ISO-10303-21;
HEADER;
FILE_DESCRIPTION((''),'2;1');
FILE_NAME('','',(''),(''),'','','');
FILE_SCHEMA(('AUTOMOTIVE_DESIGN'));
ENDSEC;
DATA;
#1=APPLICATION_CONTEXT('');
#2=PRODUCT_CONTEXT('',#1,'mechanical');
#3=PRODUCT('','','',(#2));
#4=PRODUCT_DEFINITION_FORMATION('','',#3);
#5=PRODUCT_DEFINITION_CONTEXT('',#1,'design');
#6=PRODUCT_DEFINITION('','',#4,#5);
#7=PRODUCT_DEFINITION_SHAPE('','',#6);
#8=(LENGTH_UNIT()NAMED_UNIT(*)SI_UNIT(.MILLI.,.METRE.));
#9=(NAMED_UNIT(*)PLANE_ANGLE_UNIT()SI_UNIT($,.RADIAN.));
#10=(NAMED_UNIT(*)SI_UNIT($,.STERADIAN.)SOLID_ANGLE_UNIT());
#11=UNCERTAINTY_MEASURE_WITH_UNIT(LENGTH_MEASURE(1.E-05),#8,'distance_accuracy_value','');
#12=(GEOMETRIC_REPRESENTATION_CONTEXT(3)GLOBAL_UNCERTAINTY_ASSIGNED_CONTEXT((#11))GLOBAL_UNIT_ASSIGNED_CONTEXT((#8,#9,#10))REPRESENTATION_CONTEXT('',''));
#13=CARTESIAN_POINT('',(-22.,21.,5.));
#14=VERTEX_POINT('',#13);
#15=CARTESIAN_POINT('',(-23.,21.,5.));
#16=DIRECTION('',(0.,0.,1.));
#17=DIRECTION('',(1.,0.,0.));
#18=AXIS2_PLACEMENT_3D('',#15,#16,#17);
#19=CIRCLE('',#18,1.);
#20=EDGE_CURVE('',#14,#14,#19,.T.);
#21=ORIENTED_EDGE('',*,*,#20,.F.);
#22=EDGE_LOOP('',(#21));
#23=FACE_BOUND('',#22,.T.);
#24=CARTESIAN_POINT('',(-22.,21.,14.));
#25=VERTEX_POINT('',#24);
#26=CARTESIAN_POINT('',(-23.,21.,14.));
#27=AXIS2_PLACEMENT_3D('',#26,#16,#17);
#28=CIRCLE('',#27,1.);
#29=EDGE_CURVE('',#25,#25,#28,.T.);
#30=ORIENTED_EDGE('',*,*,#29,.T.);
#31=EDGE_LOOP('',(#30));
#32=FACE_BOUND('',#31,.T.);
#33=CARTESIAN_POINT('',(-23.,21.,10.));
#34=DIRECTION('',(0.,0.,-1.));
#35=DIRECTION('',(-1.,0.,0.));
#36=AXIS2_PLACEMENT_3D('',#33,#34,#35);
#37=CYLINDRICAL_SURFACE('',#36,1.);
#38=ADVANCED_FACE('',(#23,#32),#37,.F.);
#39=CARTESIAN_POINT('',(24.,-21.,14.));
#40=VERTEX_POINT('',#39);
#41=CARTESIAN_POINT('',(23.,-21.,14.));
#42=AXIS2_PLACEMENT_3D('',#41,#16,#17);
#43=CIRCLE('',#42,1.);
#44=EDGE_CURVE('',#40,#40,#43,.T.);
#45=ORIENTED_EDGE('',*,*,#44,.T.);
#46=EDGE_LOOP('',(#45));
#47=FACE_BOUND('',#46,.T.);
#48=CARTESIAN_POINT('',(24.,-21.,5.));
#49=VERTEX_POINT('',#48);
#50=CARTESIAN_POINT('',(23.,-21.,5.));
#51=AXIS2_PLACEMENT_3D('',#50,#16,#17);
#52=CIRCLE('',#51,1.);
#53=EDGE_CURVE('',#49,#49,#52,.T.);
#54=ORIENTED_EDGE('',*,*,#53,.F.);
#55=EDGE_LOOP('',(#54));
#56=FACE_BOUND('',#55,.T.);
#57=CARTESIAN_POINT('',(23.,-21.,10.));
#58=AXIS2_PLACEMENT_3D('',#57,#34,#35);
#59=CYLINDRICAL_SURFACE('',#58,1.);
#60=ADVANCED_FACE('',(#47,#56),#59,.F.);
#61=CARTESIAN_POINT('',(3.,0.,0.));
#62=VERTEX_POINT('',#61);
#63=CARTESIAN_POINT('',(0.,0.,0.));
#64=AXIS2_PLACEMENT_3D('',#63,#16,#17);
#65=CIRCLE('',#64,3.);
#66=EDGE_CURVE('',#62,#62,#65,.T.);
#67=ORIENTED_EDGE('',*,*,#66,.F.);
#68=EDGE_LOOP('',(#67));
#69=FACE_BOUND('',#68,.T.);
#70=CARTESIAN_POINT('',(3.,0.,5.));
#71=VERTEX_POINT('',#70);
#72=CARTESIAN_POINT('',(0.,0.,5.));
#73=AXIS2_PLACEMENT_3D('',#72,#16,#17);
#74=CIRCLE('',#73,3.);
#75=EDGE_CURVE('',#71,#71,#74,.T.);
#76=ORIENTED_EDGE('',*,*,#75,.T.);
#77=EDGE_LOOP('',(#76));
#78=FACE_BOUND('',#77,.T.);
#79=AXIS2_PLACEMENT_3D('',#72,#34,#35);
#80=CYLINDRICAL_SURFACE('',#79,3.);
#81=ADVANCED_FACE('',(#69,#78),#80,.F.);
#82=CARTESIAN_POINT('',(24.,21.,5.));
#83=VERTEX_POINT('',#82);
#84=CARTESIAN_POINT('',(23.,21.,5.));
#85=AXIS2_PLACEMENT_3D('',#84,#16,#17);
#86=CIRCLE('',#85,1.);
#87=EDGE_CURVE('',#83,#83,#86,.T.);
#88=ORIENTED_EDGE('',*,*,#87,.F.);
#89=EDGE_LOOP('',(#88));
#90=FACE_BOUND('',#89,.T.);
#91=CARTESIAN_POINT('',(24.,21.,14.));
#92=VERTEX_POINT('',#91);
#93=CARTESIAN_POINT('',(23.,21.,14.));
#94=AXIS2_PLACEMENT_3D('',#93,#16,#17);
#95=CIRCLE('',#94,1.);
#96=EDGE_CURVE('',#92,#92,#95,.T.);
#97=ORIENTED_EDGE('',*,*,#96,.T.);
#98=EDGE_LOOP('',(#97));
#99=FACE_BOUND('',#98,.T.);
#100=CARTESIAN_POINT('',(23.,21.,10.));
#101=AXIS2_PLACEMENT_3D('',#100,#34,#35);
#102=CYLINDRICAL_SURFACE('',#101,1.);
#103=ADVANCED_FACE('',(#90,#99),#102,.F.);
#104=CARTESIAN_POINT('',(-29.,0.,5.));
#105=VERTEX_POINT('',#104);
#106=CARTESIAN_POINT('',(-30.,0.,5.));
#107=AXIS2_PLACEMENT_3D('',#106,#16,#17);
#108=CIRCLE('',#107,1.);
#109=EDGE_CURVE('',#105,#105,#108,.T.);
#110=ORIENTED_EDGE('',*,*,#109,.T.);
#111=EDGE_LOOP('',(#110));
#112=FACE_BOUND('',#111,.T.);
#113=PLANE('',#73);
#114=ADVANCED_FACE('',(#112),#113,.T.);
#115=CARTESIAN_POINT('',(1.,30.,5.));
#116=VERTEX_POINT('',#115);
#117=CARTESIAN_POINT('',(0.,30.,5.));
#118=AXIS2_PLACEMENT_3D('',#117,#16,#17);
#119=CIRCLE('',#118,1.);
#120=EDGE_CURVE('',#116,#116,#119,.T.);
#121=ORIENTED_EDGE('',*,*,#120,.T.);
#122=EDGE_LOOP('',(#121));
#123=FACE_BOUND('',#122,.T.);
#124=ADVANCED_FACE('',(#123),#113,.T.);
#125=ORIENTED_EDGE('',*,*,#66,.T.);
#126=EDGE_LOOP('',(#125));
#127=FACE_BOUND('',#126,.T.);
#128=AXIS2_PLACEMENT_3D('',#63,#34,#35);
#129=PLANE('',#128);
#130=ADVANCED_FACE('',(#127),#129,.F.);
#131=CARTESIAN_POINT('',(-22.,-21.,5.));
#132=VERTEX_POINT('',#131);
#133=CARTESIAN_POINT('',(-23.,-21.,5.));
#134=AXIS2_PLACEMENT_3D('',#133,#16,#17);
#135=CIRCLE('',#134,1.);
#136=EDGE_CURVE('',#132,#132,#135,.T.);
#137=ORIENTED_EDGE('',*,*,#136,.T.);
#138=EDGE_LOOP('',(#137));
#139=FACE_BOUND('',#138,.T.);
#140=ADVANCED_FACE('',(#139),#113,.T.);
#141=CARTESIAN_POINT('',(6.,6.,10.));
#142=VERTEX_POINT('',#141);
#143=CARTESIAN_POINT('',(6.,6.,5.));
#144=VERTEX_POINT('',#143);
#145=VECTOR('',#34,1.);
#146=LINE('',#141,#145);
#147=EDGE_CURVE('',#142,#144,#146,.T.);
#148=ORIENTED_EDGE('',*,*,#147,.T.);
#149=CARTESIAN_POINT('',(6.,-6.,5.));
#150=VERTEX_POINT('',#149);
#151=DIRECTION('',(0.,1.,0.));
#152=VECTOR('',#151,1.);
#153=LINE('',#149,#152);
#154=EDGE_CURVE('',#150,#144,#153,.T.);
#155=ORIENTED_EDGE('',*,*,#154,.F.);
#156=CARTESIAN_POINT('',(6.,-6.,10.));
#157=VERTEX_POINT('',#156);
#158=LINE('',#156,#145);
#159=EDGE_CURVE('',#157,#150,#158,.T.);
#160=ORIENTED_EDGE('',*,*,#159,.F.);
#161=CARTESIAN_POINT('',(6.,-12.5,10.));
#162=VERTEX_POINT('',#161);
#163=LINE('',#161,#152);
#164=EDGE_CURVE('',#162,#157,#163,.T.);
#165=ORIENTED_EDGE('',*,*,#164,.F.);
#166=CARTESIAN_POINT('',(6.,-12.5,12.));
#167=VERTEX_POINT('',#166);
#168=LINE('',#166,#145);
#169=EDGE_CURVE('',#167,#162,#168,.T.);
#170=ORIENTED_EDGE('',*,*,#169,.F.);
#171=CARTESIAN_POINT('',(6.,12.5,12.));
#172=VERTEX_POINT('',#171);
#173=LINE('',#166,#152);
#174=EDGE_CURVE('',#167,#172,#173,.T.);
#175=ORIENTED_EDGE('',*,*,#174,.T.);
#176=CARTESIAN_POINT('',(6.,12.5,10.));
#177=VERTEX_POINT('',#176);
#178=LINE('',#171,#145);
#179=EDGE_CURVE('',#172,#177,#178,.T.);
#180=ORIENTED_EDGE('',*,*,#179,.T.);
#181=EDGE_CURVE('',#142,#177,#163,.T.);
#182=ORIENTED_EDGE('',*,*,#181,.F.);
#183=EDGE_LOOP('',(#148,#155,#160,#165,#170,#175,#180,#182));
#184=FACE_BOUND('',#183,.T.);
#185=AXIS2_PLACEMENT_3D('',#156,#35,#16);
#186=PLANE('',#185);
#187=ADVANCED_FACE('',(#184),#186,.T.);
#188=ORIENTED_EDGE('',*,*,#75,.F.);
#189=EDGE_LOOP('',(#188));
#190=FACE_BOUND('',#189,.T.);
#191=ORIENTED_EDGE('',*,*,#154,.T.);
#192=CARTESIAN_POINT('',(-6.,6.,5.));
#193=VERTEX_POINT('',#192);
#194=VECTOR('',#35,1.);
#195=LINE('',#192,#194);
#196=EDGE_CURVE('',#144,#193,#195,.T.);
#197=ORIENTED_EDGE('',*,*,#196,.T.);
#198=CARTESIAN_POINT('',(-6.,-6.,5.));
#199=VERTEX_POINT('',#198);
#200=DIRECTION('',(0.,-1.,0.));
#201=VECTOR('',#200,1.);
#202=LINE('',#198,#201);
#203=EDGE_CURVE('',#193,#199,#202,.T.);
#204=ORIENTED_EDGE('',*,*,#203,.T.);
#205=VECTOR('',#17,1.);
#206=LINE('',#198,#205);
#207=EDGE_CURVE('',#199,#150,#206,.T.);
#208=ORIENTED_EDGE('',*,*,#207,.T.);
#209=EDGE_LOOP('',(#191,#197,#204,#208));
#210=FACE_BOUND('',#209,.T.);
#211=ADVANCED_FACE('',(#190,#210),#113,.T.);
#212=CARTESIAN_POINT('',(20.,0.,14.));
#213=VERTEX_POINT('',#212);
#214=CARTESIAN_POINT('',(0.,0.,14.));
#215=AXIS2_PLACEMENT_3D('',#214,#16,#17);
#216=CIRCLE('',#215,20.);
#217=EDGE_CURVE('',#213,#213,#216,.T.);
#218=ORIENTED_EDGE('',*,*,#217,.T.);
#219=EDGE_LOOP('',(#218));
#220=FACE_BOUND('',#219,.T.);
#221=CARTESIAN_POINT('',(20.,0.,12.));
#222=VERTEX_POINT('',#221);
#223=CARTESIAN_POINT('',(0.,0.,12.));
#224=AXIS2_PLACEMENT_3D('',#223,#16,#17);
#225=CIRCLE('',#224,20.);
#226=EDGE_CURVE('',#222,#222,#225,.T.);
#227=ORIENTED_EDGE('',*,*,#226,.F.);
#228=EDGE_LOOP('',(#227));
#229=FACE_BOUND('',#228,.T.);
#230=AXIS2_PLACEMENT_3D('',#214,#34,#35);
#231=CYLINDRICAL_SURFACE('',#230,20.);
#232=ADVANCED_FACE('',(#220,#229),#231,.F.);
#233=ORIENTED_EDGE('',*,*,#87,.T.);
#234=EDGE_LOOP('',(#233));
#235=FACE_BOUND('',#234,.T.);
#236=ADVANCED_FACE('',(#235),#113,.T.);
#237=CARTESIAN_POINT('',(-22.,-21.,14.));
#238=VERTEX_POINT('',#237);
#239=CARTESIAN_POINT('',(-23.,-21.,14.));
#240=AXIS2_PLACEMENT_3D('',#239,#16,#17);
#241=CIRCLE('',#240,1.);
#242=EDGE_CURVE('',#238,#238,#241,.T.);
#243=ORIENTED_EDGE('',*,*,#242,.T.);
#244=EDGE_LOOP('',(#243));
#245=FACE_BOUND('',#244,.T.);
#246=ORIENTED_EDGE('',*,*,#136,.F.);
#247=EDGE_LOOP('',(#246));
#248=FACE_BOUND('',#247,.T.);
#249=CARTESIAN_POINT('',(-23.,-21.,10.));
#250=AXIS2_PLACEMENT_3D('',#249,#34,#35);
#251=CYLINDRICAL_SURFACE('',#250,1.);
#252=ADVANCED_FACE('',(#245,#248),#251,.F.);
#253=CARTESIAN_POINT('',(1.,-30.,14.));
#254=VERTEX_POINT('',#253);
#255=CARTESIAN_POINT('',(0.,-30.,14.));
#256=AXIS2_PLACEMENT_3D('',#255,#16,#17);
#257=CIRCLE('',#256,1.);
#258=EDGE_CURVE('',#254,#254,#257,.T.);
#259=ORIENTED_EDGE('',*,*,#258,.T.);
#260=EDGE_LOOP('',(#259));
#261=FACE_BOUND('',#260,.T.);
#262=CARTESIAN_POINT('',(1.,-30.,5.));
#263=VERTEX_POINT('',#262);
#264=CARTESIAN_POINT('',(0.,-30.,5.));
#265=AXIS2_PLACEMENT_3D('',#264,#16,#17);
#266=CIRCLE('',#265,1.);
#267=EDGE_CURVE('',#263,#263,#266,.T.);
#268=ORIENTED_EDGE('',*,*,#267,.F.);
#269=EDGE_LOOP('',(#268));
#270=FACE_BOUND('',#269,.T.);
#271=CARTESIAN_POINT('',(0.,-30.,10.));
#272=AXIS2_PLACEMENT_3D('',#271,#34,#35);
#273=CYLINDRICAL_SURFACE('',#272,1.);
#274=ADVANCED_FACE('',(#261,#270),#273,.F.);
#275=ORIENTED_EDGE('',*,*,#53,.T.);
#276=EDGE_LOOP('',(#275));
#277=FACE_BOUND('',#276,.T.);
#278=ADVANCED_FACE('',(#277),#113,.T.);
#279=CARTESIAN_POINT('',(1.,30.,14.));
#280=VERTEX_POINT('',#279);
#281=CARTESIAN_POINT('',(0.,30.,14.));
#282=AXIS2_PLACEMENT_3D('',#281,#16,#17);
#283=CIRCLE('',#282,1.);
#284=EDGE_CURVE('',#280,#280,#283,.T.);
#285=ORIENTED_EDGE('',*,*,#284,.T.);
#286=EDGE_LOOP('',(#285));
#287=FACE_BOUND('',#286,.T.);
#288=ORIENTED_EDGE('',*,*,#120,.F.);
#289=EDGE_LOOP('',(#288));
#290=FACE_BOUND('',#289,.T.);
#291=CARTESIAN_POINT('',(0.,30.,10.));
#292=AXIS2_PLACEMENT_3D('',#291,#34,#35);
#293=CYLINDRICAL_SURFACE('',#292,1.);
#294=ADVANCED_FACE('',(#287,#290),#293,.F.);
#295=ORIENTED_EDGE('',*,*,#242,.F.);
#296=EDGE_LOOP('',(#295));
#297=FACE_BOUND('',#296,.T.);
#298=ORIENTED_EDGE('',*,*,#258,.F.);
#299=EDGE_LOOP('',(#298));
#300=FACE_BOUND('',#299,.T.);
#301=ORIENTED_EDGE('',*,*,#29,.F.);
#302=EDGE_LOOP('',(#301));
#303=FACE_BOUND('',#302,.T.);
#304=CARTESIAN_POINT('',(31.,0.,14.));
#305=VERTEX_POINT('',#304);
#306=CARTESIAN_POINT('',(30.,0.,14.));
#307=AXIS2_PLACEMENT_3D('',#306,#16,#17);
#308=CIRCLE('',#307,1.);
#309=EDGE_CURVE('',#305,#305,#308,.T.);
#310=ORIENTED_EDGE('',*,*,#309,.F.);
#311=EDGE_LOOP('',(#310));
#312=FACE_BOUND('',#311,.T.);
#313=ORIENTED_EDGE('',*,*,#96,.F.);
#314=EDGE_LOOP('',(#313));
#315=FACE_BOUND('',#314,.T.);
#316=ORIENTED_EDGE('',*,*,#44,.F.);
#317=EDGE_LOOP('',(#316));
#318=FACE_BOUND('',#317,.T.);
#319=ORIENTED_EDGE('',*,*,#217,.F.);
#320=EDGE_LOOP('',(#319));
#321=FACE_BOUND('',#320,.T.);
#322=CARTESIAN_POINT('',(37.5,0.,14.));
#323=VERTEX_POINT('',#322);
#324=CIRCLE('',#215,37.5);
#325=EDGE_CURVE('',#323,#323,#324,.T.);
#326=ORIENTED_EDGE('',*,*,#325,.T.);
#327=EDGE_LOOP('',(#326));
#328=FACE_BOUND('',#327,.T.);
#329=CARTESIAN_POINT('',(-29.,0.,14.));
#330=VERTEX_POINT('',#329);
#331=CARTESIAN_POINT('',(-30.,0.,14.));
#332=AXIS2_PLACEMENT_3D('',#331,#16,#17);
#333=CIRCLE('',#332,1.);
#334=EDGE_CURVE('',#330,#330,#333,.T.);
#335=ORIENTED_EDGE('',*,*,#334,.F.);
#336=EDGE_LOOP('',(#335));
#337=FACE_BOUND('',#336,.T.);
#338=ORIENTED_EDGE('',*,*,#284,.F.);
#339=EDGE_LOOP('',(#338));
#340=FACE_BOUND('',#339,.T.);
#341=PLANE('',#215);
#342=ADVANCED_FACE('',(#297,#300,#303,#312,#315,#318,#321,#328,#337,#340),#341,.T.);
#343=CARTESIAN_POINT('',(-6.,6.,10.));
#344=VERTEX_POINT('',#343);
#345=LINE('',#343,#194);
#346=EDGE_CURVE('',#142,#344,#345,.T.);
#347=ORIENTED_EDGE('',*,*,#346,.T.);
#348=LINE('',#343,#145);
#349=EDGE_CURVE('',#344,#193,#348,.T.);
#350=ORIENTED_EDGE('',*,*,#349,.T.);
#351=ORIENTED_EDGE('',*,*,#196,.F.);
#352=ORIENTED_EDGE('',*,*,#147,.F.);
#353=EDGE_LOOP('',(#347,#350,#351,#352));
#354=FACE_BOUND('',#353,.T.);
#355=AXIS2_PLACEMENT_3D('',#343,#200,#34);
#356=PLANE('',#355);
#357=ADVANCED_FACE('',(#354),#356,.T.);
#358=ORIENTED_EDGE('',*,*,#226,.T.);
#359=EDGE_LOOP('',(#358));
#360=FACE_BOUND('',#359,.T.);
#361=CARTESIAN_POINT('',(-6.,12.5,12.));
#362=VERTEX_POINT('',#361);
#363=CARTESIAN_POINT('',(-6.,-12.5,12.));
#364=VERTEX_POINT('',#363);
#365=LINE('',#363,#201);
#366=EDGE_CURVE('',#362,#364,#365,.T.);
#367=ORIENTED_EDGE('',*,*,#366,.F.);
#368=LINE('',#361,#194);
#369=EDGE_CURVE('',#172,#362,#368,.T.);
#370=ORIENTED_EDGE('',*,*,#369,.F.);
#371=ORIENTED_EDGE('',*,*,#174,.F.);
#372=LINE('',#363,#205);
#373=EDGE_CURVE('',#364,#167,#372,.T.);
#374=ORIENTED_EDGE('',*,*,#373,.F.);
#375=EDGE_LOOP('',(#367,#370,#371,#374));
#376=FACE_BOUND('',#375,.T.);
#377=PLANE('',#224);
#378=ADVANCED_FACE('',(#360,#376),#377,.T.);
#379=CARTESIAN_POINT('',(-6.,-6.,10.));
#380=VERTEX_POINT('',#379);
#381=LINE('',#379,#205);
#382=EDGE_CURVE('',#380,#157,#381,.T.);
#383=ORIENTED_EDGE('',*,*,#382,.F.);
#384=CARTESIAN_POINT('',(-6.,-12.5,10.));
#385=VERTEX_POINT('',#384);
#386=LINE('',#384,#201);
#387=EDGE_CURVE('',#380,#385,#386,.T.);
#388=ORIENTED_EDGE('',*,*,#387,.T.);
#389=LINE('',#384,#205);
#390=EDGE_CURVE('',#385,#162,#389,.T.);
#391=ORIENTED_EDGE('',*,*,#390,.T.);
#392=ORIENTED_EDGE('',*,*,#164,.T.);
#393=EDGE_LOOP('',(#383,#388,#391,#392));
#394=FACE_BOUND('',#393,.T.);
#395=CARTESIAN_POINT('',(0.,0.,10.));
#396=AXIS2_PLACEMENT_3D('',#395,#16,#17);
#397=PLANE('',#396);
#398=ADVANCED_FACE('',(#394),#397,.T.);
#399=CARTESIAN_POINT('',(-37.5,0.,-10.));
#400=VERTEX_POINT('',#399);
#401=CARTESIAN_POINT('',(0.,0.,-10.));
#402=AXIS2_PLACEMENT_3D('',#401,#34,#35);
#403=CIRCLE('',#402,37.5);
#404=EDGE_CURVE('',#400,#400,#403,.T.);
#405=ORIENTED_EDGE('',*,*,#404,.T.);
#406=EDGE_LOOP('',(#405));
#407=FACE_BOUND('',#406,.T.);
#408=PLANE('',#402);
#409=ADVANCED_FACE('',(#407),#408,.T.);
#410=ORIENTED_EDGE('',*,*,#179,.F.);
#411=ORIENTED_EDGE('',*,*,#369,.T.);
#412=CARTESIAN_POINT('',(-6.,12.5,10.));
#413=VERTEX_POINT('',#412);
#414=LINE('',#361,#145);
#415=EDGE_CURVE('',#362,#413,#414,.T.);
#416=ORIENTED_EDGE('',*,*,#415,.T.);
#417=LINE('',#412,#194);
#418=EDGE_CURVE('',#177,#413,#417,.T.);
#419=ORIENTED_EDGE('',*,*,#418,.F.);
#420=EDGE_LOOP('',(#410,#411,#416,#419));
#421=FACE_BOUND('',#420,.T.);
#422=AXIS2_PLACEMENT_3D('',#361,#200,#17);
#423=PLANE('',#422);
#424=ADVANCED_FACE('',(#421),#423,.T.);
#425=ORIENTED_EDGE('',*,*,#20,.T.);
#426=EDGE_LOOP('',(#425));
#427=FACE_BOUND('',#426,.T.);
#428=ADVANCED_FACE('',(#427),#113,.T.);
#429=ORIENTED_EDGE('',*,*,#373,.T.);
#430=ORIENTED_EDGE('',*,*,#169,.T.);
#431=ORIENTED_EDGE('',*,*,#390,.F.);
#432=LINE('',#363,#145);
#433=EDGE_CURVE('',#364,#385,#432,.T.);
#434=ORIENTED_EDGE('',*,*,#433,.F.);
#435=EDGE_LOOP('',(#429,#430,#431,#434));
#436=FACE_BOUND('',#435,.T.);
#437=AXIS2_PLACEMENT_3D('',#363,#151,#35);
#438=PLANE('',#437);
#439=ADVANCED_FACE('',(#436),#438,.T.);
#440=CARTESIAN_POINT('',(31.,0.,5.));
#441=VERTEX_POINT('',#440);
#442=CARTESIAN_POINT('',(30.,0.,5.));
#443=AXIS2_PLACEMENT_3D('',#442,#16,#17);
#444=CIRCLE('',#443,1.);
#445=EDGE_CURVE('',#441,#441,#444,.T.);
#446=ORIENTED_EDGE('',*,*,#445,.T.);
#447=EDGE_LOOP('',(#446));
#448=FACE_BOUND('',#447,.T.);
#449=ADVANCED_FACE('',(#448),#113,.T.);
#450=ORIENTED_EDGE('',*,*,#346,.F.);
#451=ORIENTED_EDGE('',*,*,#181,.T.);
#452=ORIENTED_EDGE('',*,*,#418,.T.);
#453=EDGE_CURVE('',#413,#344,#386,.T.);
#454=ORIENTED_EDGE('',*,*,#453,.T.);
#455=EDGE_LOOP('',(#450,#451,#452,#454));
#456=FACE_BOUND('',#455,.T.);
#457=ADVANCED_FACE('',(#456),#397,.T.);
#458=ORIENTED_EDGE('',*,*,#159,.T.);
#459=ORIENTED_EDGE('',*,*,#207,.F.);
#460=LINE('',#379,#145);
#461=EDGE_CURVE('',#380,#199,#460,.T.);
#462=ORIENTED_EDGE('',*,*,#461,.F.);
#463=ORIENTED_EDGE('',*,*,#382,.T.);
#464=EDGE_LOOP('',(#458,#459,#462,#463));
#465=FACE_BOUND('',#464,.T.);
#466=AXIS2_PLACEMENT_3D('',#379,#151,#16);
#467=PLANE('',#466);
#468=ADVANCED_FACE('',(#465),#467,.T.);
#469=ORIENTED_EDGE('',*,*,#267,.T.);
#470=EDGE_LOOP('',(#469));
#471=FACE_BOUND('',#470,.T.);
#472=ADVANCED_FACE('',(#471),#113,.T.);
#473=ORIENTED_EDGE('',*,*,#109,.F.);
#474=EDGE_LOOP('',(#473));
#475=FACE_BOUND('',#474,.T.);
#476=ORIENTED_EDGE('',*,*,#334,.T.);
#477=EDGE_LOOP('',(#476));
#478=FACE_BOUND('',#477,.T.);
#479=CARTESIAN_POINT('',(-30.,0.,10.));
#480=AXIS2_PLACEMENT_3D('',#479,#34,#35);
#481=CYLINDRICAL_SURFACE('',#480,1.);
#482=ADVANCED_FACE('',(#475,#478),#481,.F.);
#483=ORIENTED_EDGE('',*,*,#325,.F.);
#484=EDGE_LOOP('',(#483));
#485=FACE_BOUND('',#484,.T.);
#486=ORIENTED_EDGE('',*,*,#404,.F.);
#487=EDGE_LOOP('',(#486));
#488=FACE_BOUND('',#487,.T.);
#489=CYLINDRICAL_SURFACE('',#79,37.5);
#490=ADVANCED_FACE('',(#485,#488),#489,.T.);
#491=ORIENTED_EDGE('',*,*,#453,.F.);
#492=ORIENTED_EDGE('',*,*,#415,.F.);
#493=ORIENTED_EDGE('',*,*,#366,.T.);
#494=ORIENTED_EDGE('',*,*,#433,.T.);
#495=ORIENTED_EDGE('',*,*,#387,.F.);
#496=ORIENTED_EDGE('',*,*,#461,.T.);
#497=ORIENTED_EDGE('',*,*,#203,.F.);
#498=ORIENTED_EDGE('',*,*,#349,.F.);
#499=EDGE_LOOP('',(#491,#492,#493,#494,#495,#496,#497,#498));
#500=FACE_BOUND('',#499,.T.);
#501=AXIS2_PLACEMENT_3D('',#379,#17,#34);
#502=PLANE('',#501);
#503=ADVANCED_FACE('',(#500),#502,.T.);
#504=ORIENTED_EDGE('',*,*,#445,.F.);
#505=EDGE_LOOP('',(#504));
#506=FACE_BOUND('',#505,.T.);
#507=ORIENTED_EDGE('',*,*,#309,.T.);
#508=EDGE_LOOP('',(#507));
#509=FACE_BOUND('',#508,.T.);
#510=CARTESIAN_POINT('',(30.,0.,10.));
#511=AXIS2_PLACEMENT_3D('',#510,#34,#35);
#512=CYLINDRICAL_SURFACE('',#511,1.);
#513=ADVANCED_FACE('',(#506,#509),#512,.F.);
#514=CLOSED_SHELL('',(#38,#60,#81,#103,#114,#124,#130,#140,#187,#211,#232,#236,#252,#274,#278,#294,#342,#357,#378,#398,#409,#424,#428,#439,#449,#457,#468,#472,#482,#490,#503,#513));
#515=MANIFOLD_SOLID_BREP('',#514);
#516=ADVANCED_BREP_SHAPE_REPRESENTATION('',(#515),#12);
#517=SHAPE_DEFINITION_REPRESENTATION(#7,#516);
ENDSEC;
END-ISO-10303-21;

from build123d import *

# Parameters (mm, degrees)
SKETCH_1_R      = 37.5
SKETCH_1_R_2    = 3
EXTRUDE_1_DEPTH = 5
EXTRUDE_START   = 10
SKETCH_2_R      = 37.5
EXTRUDE_2_DEPTH = 10
SKETCH_3_R      = 37.5
SKETCH_3_R_2    = 1
SKETCH_3_W      = 12
SKETCH_3_H      = 12
EXTRUDE_3_DEPTH = 5
SKETCH_4_R      = 37.5
SKETCH_4_R_2    = 1
SKETCH_4_W      = 12
SKETCH_4_H      = 25
EXTRUDE_4_DEPTH = 2
SKETCH_5_R      = 37.5
SKETCH_5_R_2    = 20
SKETCH_5_R_3    = 1
EXTRUDE_5_DEPTH = 2


with BuildPart() as part:
    # Эскиз1 → Бобышка-Вытянуть1 (new body)
    with BuildSketch(Plane.XY):
        Circle(SKETCH_1_R)
        Circle(SKETCH_1_R_2, mode=Mode.SUBTRACT)
    extrude(amount=EXTRUDE_1_DEPTH)

    # Эскиз2 → Бобышка-Вытянуть2 (add)
    with BuildSketch(Plane(origin=(0, 0, 0), x_dir=(-1, 0, 0), z_dir=(0, 0, -1)).offset(EXTRUDE_START)):
        Circle(SKETCH_2_R)
    extrude(amount=-EXTRUDE_2_DEPTH)

    # Эскиз3 → Бобышка-Вытянуть3 (add)
    with BuildSketch(Plane.XY.offset(5)):
        with Locations(Location((0, 0, 0), (0, 0, 180))):
            Circle(SKETCH_3_R)
        with Locations((0, 30)):
            Circle(SKETCH_3_R_2, mode=Mode.SUBTRACT)
        with Locations((0, -30)):
            Circle(SKETCH_3_R_2, mode=Mode.SUBTRACT)
        with Locations((-30, 0)):
            Circle(SKETCH_3_R_2, mode=Mode.SUBTRACT)
        with Locations((30, 0)):
            Circle(SKETCH_3_R_2, mode=Mode.SUBTRACT)
        with Locations((-23, 21)):
            Circle(SKETCH_3_R_2, mode=Mode.SUBTRACT)
        with Locations((-23, -21)):
            Circle(SKETCH_3_R_2, mode=Mode.SUBTRACT)
        with Locations((23, -21)):
            Circle(SKETCH_3_R_2, mode=Mode.SUBTRACT)
        with Locations((23, 21)):
            Circle(SKETCH_3_R_2, mode=Mode.SUBTRACT)
        Rectangle(SKETCH_3_W, SKETCH_3_H, mode=Mode.SUBTRACT)
    extrude(amount=EXTRUDE_3_DEPTH)

    # Эскиз4 → Бобышка-Вытянуть4 (add)
    with BuildSketch(Plane.XY.offset(10)):
        with Locations(Location((0, 0, 0), (0, 0, 180))):
            Circle(SKETCH_4_R)
        with Locations((0, 30)):
            Circle(SKETCH_4_R_2, mode=Mode.SUBTRACT)
        with Locations((0, -30)):
            Circle(SKETCH_4_R_2, mode=Mode.SUBTRACT)
        with Locations((-30, 0)):
            Circle(SKETCH_4_R_2, mode=Mode.SUBTRACT)
        with Locations((30, 0)):
            Circle(SKETCH_4_R_2, mode=Mode.SUBTRACT)
        with Locations((-23, -21)):
            Circle(SKETCH_4_R_2, mode=Mode.SUBTRACT)
        with Locations((23, -21)):
            Circle(SKETCH_4_R_2, mode=Mode.SUBTRACT)
        with Locations((-23, 21)):
            Circle(SKETCH_4_R_2, mode=Mode.SUBTRACT)
        with Locations((23, 21)):
            Circle(SKETCH_4_R_2, mode=Mode.SUBTRACT)
        Rectangle(SKETCH_4_W, SKETCH_4_H, mode=Mode.SUBTRACT)
    extrude(amount=EXTRUDE_4_DEPTH)

    # Эскиз5 → Бобышка-Вытянуть5 (add)
    with BuildSketch(Plane.XY.offset(12)):
        with Locations(Location((0, 0, 0), (0, 0, 180))):
            Circle(SKETCH_5_R)
        Circle(SKETCH_5_R_2, mode=Mode.SUBTRACT)
        with Locations((0, 30)):
            Circle(SKETCH_5_R_3, mode=Mode.SUBTRACT)
        with Locations((0, -30)):
            Circle(SKETCH_5_R_3, mode=Mode.SUBTRACT)
        with Locations((-30, 0)):
            Circle(SKETCH_5_R_3, mode=Mode.SUBTRACT)
        with Locations((30, 0)):
            Circle(SKETCH_5_R_3, mode=Mode.SUBTRACT)
        with Locations((-23, 21)):
            Circle(SKETCH_5_R_3, mode=Mode.SUBTRACT)
        with Locations((23, 21)):
            Circle(SKETCH_5_R_3, mode=Mode.SUBTRACT)
        with Locations((-23, -21)):
            Circle(SKETCH_5_R_3, mode=Mode.SUBTRACT)
        with Locations((23, -21)):
            Circle(SKETCH_5_R_3, mode=Mode.SUBTRACT)
    extrude(amount=EXTRUDE_5_DEPTH)


solid = part.part
